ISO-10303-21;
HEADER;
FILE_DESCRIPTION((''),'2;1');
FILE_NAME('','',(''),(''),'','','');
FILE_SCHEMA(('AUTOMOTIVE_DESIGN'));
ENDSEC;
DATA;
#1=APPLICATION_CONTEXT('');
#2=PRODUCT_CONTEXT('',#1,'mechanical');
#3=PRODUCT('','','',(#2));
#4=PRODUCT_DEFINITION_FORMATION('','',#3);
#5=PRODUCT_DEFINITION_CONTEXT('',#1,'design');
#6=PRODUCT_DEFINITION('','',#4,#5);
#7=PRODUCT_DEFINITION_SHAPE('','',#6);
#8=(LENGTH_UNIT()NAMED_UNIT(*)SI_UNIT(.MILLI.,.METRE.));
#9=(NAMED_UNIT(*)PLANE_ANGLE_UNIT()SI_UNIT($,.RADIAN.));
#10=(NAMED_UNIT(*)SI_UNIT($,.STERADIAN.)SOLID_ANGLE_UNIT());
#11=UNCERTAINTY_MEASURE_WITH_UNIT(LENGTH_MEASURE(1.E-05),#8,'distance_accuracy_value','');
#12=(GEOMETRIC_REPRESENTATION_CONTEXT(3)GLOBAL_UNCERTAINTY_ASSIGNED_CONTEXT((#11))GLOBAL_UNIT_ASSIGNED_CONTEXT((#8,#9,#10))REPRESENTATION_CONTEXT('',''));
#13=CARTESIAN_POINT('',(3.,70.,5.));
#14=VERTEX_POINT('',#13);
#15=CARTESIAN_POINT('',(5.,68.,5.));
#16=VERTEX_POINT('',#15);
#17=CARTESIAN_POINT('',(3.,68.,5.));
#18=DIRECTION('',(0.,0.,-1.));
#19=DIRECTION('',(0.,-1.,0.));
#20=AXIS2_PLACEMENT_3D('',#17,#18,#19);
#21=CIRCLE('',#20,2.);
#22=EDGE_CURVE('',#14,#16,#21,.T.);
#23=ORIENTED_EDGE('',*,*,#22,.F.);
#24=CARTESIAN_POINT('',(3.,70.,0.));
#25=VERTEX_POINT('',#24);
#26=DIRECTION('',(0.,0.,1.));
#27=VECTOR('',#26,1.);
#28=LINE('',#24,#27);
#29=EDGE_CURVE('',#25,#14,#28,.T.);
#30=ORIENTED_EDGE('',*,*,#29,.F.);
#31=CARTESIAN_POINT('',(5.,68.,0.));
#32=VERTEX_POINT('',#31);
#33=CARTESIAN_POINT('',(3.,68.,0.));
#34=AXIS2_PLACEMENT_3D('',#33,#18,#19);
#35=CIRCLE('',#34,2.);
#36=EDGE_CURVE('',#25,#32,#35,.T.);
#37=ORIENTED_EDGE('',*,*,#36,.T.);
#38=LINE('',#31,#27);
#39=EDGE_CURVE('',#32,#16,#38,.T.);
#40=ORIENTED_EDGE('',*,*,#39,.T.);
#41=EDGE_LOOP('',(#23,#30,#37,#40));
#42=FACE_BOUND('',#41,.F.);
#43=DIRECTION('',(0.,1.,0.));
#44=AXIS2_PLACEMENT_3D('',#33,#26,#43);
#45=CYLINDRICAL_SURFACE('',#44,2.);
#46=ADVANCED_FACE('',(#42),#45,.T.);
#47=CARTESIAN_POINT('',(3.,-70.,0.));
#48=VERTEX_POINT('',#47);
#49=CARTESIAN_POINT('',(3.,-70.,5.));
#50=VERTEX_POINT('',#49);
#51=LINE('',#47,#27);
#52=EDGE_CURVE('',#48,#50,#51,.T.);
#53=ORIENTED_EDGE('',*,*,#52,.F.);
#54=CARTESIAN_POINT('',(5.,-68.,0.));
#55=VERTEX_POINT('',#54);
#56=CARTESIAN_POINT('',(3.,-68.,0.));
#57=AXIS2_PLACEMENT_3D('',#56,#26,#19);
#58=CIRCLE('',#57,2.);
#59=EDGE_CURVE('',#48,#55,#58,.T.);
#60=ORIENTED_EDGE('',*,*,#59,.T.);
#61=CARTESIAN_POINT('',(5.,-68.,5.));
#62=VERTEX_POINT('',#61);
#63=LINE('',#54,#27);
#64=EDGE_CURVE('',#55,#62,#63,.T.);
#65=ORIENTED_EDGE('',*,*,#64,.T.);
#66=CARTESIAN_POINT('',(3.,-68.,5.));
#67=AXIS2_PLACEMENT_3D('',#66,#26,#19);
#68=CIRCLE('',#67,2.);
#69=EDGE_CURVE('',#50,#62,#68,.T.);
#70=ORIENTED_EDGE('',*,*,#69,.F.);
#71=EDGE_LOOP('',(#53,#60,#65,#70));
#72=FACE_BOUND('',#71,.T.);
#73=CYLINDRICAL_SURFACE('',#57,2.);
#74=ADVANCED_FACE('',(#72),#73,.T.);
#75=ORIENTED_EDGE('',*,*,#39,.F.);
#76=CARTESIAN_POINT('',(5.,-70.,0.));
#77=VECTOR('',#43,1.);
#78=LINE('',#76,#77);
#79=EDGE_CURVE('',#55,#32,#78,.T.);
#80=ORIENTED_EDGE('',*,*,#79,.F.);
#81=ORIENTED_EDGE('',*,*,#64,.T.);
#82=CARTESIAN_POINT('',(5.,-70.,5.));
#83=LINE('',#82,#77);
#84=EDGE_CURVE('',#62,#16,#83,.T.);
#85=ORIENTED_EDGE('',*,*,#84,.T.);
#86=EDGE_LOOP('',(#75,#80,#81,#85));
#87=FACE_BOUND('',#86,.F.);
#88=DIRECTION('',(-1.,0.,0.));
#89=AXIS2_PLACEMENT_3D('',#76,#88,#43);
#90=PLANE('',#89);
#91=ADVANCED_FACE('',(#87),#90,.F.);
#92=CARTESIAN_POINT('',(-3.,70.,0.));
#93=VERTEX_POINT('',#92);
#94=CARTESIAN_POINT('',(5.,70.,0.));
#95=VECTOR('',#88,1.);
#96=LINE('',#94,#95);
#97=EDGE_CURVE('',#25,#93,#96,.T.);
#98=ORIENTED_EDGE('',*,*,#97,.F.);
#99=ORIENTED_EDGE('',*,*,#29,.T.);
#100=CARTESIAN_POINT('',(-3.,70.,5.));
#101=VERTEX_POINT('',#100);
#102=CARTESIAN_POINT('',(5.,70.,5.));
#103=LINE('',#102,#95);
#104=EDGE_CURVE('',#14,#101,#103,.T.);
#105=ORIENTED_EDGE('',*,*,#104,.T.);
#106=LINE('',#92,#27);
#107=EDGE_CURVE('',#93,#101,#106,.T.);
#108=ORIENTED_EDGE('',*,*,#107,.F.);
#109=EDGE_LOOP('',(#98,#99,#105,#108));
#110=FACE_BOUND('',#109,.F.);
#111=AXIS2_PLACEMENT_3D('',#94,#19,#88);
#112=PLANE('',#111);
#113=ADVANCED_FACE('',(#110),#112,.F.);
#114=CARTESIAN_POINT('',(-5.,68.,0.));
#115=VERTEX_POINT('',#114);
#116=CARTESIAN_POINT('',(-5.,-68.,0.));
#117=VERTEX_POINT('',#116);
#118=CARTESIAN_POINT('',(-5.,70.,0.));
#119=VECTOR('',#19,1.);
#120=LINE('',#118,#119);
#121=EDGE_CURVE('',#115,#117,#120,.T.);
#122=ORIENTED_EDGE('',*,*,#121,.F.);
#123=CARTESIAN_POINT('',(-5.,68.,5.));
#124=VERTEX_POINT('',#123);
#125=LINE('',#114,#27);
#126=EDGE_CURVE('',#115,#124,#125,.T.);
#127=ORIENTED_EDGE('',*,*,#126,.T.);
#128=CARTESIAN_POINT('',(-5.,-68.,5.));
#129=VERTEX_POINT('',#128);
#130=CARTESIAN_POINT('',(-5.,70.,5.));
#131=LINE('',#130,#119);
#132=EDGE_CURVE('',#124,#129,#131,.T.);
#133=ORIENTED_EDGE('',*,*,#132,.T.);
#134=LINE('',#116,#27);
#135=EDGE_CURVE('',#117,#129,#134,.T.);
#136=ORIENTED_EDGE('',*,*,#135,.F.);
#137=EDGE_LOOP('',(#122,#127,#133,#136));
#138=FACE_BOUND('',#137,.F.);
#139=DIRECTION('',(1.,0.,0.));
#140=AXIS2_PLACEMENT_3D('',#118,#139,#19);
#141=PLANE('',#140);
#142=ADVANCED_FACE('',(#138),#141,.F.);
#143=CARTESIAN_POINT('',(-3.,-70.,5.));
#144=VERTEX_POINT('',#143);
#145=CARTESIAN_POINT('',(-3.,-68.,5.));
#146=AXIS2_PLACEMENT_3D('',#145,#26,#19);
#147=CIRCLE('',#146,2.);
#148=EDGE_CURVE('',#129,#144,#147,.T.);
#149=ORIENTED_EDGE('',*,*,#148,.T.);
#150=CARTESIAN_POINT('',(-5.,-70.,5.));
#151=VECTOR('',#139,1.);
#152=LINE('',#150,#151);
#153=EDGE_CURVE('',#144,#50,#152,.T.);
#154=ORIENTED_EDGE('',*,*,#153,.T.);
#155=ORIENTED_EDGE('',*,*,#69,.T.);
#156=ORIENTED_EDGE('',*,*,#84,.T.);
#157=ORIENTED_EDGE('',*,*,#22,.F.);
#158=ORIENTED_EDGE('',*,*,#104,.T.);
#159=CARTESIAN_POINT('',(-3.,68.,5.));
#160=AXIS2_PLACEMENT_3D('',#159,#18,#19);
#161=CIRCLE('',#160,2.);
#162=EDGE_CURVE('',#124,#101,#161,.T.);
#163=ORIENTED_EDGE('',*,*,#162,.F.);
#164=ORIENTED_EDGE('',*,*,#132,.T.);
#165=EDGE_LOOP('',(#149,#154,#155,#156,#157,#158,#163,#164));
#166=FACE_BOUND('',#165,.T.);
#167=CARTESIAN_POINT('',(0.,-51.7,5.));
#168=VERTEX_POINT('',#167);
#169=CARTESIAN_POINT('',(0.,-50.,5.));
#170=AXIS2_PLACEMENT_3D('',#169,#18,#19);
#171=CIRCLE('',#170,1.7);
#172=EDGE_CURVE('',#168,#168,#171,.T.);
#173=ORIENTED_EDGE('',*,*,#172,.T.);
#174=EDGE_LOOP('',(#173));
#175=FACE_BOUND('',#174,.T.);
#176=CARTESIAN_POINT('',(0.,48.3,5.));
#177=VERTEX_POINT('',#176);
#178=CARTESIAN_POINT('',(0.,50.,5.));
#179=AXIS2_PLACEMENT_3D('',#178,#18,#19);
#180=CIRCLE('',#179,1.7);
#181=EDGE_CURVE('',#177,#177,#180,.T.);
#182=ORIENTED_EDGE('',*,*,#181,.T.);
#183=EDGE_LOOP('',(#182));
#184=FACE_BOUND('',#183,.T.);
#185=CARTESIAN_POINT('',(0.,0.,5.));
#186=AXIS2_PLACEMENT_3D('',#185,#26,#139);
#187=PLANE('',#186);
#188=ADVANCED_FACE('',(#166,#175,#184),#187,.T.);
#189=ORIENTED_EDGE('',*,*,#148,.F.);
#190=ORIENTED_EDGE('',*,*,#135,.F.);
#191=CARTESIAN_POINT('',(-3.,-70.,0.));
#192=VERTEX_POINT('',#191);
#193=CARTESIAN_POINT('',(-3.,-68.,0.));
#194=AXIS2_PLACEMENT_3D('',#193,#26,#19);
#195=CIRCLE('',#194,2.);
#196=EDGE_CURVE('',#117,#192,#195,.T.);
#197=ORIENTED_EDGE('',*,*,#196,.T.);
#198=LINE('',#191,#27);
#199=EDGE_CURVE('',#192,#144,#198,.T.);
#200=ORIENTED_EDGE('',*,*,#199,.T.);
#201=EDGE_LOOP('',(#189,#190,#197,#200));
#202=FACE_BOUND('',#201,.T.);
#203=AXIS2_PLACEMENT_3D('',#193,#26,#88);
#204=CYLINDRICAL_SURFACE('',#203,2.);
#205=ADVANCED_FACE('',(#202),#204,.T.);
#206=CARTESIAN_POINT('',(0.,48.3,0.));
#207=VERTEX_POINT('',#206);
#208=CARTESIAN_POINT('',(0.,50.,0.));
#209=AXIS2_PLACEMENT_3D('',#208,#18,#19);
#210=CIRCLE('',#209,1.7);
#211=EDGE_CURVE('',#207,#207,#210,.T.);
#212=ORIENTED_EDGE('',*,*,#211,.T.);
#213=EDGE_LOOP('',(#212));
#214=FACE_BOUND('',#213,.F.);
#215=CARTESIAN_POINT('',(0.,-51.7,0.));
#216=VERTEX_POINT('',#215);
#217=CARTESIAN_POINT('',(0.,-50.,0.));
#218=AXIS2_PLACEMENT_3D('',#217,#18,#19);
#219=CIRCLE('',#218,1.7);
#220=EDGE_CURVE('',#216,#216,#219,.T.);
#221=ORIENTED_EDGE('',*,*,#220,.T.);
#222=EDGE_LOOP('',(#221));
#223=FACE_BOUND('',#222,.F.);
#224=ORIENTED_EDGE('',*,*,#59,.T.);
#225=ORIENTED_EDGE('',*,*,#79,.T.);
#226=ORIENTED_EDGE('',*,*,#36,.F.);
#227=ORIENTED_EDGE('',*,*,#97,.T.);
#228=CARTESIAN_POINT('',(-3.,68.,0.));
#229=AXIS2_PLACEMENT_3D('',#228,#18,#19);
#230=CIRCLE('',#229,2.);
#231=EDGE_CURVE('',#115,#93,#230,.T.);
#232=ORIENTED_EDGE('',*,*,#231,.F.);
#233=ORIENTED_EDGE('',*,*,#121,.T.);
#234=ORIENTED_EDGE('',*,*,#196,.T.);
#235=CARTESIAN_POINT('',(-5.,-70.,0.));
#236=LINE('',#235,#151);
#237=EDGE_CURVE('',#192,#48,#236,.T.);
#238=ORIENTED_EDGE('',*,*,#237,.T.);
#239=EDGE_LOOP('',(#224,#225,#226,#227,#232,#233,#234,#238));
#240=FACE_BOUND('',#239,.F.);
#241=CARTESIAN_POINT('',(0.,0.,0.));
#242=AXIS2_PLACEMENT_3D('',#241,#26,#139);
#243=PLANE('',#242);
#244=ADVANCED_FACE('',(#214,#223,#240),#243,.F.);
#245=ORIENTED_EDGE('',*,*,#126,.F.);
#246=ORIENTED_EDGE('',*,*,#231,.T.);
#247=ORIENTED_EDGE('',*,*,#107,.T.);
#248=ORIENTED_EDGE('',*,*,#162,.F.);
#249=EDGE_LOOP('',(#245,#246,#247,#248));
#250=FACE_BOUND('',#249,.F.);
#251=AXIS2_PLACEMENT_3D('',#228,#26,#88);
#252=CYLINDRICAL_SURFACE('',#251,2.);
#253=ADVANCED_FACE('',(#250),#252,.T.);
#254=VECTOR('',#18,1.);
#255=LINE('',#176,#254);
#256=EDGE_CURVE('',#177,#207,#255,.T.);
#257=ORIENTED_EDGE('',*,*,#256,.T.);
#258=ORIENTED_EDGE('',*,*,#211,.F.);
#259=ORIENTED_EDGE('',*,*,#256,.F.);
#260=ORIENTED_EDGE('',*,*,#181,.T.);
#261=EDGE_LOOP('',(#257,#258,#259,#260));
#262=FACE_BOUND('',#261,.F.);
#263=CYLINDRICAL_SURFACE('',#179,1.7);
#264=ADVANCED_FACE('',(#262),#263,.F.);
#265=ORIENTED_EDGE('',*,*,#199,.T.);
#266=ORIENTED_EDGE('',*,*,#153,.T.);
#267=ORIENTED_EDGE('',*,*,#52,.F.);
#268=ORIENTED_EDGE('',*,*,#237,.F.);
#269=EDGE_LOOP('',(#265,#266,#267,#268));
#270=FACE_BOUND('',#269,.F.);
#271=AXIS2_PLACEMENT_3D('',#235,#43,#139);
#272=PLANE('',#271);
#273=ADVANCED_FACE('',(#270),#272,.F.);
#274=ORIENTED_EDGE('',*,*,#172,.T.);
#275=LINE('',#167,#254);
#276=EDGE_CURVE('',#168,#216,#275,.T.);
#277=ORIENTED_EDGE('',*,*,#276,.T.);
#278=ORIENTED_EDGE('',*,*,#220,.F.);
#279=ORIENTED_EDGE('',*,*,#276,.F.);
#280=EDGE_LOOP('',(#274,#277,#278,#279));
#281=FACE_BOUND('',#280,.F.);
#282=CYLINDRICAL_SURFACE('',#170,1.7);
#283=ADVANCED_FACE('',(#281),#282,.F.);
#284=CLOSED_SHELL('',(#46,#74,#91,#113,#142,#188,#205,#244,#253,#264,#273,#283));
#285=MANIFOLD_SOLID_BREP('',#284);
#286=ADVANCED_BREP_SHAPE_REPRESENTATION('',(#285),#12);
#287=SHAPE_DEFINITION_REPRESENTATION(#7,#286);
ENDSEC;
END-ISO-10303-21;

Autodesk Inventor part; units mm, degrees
ref_plane "YZ Plane" through (0, 0, 0) normal (1, 0, 0) x (0, 1, 0)
ref_plane "XZ Plane" through (0, 0, 0) normal (0, 1, 0) x (-1, 0, 0)
ref_plane "XY Plane" through (0, 0, 0) normal (0, 0, 1) x (1, 0, 0)
sketch "Sketch1" plane through (0, 0, 0) normal (0, 0, 1) x (1, 0, 0)
  line L0 (-5, -70) -> (5, -70)
  line L1 (5, -70) -> (5, 70)
  line L2 (5, 70) -> (-5, 70)
  line L3 (-5, 70) -> (-5, -70)
  line L4 (-5, -70) -> (5, 70) construction
  line L5 (5, -70) -> (-5, 70) construction
  point P0 (0, 0)
  dimension "d0" = 10
  dimension "d1" = 140
extrude "Extrusion1" add sketch "Sketch1" along normal blind 5
sketch "Sketch2" plane through (0, 0, 5) normal (0, 0, 1) x (1, 0, 0)
  line L0 (0, 50) -> (0, -50) construction
  point P0 (0, 0)
  point P1 (0, 0)
  dimension "d4" = 100
hole "Hole1" at (0, 50, 5) at (0, -50, 5) direction (0, 0, -1) diameter 3.4 depth 8 tip angle 118 clearance for "Countersunk Flat Head Screw DIN EN ISO 2009" size "M3" standard "DIN"
fillet "Fillet1" radius 2 4 edges at (5, 70, 2.5) (-5, 70, 2.5) (5, -70, 2.5) (-5, -70, 2.5)
properties part number "ToslinkHalter" material "Polycarbonate, Clear"
